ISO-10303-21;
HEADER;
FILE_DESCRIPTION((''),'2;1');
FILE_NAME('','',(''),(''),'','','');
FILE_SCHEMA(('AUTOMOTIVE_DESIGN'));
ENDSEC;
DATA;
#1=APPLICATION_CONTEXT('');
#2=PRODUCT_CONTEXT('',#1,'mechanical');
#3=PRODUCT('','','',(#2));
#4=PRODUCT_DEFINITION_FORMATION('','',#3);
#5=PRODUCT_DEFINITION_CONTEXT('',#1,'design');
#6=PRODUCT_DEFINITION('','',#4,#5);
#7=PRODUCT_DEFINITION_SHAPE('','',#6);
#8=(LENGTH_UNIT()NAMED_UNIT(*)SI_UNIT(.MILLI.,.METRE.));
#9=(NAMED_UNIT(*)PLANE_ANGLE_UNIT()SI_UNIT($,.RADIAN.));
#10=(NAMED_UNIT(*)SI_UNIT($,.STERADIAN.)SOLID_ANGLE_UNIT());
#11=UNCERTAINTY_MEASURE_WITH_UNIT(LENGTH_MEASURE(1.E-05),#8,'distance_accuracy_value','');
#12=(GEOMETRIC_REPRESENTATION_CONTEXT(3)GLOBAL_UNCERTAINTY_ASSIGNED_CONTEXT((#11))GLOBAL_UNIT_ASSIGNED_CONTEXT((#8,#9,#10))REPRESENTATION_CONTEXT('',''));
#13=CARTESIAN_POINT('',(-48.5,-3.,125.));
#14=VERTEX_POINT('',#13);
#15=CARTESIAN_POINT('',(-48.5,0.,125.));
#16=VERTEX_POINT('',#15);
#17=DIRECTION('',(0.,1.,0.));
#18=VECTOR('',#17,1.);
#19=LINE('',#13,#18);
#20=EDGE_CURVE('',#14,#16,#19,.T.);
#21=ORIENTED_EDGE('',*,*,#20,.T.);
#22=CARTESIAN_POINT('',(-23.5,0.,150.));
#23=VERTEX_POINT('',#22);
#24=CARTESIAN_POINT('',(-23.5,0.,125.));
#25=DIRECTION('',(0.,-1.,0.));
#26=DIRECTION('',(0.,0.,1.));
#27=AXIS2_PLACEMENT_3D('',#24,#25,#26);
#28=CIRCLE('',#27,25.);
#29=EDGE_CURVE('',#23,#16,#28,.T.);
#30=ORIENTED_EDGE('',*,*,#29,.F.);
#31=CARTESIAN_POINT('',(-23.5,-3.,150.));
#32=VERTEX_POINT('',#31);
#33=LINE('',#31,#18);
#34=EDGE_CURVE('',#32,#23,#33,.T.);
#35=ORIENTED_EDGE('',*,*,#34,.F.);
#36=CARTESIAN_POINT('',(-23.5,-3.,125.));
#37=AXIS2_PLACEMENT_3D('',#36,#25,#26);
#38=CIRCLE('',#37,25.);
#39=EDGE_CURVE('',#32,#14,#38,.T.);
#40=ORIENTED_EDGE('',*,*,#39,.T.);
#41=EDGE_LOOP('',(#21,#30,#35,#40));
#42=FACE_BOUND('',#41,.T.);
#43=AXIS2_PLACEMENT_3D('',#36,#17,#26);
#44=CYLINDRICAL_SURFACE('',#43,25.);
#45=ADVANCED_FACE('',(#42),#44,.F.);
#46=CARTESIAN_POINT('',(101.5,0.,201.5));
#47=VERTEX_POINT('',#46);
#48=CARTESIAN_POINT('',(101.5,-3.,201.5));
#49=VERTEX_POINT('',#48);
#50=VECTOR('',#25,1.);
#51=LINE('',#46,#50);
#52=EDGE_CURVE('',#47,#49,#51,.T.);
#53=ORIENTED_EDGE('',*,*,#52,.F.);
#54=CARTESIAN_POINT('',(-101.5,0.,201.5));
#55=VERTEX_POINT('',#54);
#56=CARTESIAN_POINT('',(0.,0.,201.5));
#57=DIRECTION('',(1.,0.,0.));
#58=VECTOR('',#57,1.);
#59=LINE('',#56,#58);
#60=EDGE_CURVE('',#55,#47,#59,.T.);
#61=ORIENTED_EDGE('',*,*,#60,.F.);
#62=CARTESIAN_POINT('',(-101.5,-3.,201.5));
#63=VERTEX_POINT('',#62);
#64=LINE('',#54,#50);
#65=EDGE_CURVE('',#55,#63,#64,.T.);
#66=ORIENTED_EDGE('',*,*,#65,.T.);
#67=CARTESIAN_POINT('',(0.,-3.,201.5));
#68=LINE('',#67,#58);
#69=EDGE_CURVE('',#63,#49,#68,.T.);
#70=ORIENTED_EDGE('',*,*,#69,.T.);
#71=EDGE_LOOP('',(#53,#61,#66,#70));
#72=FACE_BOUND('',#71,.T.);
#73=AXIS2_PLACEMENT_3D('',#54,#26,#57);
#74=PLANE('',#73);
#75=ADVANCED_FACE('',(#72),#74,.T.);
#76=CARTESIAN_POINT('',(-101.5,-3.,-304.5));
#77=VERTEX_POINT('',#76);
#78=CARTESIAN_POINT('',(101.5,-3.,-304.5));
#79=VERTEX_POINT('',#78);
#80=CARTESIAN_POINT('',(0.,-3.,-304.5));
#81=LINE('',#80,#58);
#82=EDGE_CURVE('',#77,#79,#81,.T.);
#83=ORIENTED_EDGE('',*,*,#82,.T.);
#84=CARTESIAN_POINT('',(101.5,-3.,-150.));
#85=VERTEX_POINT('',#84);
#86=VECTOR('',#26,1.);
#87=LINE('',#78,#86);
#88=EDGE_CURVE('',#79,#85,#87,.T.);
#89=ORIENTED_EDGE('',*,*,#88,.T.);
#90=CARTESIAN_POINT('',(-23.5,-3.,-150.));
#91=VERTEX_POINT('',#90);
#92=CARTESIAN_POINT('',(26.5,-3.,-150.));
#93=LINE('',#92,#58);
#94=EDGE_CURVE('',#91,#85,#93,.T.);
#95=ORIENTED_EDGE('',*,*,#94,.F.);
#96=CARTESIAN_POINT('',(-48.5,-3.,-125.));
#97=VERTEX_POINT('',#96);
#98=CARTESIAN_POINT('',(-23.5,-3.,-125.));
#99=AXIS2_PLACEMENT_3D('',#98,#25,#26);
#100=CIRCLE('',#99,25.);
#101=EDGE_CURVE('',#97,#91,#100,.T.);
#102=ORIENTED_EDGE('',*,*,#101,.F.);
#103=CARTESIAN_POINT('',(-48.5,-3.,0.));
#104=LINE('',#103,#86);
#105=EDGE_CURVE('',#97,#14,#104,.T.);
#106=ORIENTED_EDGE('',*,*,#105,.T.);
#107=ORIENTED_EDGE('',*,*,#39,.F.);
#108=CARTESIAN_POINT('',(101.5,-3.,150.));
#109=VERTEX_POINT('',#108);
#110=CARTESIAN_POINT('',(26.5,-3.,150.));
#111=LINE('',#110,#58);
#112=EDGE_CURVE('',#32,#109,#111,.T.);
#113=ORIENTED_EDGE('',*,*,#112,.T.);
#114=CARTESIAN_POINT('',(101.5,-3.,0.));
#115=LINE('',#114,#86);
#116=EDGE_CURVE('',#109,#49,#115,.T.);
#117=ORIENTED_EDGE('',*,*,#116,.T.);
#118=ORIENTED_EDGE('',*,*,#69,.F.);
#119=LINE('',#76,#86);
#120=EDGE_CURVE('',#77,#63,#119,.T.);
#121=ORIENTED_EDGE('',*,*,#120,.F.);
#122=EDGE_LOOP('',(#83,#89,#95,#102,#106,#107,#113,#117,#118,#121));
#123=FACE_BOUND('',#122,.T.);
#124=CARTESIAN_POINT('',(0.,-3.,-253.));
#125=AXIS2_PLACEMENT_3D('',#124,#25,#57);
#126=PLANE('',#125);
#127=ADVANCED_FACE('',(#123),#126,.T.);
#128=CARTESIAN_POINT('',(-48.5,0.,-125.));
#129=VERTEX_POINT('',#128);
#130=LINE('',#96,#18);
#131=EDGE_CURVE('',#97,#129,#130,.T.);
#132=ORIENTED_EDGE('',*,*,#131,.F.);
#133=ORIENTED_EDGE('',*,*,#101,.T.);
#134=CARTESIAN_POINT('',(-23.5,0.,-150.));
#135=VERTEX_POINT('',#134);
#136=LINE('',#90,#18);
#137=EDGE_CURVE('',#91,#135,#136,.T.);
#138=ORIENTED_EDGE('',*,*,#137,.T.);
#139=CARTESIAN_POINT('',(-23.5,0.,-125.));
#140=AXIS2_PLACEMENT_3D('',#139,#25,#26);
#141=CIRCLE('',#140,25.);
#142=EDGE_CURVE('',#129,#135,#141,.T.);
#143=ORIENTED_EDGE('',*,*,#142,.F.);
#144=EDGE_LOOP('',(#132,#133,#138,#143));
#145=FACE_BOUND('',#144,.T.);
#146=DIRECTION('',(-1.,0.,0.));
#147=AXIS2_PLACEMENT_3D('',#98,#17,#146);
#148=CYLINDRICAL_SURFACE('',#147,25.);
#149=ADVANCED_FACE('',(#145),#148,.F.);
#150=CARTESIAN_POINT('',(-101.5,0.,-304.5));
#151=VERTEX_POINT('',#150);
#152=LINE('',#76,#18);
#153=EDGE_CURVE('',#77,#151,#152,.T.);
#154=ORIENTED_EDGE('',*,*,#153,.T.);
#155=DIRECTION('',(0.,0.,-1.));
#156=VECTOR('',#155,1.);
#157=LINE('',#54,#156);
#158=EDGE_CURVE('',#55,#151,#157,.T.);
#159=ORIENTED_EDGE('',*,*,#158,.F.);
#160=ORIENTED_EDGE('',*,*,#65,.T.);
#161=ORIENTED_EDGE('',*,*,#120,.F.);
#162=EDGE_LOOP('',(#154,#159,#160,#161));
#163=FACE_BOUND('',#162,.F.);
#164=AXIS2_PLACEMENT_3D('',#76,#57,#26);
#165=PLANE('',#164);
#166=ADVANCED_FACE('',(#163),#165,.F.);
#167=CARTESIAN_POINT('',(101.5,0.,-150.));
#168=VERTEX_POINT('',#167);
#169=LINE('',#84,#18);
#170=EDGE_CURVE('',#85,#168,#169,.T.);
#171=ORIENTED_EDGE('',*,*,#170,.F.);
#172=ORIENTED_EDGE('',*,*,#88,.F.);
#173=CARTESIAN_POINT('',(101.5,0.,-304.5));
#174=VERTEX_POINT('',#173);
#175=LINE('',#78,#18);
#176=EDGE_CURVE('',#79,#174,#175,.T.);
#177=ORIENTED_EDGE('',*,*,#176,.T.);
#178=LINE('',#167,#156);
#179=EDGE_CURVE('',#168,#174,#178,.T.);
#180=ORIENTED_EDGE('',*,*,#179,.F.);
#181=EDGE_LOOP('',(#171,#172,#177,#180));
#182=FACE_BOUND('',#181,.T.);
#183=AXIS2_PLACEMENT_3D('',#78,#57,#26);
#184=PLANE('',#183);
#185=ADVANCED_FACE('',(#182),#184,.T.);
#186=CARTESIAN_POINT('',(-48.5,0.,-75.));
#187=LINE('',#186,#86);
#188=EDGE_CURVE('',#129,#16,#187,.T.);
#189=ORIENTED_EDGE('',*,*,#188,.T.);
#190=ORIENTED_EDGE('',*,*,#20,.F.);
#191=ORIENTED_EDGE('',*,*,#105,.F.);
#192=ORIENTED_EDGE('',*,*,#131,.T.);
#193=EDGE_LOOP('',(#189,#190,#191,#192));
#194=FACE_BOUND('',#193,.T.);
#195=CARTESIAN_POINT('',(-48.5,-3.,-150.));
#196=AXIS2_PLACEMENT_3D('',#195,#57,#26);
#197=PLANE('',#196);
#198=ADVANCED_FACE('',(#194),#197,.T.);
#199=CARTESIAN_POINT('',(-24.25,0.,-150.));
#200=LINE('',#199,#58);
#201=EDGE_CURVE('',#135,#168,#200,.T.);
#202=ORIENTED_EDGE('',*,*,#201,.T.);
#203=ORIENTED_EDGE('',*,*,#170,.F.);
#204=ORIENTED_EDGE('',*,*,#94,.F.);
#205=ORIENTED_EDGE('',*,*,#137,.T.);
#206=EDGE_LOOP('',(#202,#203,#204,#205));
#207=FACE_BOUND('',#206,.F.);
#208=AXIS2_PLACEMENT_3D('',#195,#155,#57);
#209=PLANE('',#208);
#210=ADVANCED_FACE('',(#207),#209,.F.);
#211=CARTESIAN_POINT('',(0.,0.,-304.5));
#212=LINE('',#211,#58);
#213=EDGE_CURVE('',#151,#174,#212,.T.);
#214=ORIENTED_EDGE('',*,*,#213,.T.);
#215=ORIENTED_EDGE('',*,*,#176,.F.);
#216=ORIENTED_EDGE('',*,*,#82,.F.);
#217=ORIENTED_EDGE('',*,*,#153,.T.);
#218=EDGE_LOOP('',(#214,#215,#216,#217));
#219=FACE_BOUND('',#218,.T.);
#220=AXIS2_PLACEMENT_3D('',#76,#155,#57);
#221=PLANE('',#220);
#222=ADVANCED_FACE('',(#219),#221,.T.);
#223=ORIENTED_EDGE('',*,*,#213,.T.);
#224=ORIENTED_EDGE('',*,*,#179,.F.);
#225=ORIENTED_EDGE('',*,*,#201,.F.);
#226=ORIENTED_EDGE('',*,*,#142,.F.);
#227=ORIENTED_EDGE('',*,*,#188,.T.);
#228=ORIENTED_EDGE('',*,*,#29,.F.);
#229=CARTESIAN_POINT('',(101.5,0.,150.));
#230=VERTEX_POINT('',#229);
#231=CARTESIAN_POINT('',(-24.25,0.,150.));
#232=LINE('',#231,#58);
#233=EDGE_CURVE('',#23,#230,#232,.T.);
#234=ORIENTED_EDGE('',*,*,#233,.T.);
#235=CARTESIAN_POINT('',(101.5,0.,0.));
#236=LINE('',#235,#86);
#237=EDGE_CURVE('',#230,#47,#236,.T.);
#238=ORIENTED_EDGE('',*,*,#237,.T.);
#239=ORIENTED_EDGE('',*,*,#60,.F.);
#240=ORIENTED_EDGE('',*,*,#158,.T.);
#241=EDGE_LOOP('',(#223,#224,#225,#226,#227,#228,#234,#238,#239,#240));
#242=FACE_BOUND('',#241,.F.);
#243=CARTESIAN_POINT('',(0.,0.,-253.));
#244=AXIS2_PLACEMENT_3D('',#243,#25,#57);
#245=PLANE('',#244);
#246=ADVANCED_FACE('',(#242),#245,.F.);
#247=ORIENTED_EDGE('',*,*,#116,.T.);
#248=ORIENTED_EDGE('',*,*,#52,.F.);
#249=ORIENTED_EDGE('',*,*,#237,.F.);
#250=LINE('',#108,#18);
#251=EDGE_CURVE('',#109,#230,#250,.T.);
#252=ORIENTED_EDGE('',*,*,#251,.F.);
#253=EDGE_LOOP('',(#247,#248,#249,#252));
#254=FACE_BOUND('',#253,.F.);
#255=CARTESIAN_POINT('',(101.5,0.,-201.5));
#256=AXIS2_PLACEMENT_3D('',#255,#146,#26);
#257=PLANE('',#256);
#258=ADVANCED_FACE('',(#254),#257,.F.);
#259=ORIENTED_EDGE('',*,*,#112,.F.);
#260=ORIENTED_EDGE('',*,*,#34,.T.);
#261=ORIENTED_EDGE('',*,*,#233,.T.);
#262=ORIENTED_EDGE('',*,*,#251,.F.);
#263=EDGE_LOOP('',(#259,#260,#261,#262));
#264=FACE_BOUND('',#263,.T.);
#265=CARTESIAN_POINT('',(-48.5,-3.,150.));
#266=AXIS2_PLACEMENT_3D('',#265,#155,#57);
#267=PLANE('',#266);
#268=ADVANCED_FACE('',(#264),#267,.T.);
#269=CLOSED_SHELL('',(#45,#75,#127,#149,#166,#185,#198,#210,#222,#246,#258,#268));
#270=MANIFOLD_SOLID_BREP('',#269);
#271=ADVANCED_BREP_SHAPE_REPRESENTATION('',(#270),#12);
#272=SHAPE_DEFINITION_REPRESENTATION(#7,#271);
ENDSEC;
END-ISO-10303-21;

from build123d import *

# Parameters (mm, degrees)
F0_W     = 203
F0_H     = 403
F1_DEPTH = 3
F2_W     = 150
F2_H     = 300
F3_DEPTH = 25
F4_R     = 25
F5_W     = 203
F5_H     = 103
F6_DEPTH = 3


with BuildPart() as f1:
    # F0 (on Front) → F1 (new body)
    with BuildSketch(Plane.XZ):
        Rectangle(F0_W, F0_H)
    extrude(amount=F1_DEPTH)

    # F2 (on face) → F3 (cut)
    with BuildSketch(Plane.XZ.offset(3)):
        with Locations((26.5, 0)):
            Rectangle(F2_W, F2_H)
    extrude(amount=-F3_DEPTH, mode=Mode.SUBTRACT)

    # F4
    f4_edges = [f1.edges().sort_by_distance(p)[0] for p in [
        (-48.5, -1.5, 150),
        (-48.5, -1.5, -150),
    ]]
    fillet(f4_edges, radius=F4_R)

    # F5 (on face) → F6 (join, through all)
    with BuildSketch(Plane.XZ.offset(3)):
        with Locations((0, -253)):
            Rectangle(F5_W, F5_H)
    extrude(amount=-F6_DEPTH)


solid = f1.part
